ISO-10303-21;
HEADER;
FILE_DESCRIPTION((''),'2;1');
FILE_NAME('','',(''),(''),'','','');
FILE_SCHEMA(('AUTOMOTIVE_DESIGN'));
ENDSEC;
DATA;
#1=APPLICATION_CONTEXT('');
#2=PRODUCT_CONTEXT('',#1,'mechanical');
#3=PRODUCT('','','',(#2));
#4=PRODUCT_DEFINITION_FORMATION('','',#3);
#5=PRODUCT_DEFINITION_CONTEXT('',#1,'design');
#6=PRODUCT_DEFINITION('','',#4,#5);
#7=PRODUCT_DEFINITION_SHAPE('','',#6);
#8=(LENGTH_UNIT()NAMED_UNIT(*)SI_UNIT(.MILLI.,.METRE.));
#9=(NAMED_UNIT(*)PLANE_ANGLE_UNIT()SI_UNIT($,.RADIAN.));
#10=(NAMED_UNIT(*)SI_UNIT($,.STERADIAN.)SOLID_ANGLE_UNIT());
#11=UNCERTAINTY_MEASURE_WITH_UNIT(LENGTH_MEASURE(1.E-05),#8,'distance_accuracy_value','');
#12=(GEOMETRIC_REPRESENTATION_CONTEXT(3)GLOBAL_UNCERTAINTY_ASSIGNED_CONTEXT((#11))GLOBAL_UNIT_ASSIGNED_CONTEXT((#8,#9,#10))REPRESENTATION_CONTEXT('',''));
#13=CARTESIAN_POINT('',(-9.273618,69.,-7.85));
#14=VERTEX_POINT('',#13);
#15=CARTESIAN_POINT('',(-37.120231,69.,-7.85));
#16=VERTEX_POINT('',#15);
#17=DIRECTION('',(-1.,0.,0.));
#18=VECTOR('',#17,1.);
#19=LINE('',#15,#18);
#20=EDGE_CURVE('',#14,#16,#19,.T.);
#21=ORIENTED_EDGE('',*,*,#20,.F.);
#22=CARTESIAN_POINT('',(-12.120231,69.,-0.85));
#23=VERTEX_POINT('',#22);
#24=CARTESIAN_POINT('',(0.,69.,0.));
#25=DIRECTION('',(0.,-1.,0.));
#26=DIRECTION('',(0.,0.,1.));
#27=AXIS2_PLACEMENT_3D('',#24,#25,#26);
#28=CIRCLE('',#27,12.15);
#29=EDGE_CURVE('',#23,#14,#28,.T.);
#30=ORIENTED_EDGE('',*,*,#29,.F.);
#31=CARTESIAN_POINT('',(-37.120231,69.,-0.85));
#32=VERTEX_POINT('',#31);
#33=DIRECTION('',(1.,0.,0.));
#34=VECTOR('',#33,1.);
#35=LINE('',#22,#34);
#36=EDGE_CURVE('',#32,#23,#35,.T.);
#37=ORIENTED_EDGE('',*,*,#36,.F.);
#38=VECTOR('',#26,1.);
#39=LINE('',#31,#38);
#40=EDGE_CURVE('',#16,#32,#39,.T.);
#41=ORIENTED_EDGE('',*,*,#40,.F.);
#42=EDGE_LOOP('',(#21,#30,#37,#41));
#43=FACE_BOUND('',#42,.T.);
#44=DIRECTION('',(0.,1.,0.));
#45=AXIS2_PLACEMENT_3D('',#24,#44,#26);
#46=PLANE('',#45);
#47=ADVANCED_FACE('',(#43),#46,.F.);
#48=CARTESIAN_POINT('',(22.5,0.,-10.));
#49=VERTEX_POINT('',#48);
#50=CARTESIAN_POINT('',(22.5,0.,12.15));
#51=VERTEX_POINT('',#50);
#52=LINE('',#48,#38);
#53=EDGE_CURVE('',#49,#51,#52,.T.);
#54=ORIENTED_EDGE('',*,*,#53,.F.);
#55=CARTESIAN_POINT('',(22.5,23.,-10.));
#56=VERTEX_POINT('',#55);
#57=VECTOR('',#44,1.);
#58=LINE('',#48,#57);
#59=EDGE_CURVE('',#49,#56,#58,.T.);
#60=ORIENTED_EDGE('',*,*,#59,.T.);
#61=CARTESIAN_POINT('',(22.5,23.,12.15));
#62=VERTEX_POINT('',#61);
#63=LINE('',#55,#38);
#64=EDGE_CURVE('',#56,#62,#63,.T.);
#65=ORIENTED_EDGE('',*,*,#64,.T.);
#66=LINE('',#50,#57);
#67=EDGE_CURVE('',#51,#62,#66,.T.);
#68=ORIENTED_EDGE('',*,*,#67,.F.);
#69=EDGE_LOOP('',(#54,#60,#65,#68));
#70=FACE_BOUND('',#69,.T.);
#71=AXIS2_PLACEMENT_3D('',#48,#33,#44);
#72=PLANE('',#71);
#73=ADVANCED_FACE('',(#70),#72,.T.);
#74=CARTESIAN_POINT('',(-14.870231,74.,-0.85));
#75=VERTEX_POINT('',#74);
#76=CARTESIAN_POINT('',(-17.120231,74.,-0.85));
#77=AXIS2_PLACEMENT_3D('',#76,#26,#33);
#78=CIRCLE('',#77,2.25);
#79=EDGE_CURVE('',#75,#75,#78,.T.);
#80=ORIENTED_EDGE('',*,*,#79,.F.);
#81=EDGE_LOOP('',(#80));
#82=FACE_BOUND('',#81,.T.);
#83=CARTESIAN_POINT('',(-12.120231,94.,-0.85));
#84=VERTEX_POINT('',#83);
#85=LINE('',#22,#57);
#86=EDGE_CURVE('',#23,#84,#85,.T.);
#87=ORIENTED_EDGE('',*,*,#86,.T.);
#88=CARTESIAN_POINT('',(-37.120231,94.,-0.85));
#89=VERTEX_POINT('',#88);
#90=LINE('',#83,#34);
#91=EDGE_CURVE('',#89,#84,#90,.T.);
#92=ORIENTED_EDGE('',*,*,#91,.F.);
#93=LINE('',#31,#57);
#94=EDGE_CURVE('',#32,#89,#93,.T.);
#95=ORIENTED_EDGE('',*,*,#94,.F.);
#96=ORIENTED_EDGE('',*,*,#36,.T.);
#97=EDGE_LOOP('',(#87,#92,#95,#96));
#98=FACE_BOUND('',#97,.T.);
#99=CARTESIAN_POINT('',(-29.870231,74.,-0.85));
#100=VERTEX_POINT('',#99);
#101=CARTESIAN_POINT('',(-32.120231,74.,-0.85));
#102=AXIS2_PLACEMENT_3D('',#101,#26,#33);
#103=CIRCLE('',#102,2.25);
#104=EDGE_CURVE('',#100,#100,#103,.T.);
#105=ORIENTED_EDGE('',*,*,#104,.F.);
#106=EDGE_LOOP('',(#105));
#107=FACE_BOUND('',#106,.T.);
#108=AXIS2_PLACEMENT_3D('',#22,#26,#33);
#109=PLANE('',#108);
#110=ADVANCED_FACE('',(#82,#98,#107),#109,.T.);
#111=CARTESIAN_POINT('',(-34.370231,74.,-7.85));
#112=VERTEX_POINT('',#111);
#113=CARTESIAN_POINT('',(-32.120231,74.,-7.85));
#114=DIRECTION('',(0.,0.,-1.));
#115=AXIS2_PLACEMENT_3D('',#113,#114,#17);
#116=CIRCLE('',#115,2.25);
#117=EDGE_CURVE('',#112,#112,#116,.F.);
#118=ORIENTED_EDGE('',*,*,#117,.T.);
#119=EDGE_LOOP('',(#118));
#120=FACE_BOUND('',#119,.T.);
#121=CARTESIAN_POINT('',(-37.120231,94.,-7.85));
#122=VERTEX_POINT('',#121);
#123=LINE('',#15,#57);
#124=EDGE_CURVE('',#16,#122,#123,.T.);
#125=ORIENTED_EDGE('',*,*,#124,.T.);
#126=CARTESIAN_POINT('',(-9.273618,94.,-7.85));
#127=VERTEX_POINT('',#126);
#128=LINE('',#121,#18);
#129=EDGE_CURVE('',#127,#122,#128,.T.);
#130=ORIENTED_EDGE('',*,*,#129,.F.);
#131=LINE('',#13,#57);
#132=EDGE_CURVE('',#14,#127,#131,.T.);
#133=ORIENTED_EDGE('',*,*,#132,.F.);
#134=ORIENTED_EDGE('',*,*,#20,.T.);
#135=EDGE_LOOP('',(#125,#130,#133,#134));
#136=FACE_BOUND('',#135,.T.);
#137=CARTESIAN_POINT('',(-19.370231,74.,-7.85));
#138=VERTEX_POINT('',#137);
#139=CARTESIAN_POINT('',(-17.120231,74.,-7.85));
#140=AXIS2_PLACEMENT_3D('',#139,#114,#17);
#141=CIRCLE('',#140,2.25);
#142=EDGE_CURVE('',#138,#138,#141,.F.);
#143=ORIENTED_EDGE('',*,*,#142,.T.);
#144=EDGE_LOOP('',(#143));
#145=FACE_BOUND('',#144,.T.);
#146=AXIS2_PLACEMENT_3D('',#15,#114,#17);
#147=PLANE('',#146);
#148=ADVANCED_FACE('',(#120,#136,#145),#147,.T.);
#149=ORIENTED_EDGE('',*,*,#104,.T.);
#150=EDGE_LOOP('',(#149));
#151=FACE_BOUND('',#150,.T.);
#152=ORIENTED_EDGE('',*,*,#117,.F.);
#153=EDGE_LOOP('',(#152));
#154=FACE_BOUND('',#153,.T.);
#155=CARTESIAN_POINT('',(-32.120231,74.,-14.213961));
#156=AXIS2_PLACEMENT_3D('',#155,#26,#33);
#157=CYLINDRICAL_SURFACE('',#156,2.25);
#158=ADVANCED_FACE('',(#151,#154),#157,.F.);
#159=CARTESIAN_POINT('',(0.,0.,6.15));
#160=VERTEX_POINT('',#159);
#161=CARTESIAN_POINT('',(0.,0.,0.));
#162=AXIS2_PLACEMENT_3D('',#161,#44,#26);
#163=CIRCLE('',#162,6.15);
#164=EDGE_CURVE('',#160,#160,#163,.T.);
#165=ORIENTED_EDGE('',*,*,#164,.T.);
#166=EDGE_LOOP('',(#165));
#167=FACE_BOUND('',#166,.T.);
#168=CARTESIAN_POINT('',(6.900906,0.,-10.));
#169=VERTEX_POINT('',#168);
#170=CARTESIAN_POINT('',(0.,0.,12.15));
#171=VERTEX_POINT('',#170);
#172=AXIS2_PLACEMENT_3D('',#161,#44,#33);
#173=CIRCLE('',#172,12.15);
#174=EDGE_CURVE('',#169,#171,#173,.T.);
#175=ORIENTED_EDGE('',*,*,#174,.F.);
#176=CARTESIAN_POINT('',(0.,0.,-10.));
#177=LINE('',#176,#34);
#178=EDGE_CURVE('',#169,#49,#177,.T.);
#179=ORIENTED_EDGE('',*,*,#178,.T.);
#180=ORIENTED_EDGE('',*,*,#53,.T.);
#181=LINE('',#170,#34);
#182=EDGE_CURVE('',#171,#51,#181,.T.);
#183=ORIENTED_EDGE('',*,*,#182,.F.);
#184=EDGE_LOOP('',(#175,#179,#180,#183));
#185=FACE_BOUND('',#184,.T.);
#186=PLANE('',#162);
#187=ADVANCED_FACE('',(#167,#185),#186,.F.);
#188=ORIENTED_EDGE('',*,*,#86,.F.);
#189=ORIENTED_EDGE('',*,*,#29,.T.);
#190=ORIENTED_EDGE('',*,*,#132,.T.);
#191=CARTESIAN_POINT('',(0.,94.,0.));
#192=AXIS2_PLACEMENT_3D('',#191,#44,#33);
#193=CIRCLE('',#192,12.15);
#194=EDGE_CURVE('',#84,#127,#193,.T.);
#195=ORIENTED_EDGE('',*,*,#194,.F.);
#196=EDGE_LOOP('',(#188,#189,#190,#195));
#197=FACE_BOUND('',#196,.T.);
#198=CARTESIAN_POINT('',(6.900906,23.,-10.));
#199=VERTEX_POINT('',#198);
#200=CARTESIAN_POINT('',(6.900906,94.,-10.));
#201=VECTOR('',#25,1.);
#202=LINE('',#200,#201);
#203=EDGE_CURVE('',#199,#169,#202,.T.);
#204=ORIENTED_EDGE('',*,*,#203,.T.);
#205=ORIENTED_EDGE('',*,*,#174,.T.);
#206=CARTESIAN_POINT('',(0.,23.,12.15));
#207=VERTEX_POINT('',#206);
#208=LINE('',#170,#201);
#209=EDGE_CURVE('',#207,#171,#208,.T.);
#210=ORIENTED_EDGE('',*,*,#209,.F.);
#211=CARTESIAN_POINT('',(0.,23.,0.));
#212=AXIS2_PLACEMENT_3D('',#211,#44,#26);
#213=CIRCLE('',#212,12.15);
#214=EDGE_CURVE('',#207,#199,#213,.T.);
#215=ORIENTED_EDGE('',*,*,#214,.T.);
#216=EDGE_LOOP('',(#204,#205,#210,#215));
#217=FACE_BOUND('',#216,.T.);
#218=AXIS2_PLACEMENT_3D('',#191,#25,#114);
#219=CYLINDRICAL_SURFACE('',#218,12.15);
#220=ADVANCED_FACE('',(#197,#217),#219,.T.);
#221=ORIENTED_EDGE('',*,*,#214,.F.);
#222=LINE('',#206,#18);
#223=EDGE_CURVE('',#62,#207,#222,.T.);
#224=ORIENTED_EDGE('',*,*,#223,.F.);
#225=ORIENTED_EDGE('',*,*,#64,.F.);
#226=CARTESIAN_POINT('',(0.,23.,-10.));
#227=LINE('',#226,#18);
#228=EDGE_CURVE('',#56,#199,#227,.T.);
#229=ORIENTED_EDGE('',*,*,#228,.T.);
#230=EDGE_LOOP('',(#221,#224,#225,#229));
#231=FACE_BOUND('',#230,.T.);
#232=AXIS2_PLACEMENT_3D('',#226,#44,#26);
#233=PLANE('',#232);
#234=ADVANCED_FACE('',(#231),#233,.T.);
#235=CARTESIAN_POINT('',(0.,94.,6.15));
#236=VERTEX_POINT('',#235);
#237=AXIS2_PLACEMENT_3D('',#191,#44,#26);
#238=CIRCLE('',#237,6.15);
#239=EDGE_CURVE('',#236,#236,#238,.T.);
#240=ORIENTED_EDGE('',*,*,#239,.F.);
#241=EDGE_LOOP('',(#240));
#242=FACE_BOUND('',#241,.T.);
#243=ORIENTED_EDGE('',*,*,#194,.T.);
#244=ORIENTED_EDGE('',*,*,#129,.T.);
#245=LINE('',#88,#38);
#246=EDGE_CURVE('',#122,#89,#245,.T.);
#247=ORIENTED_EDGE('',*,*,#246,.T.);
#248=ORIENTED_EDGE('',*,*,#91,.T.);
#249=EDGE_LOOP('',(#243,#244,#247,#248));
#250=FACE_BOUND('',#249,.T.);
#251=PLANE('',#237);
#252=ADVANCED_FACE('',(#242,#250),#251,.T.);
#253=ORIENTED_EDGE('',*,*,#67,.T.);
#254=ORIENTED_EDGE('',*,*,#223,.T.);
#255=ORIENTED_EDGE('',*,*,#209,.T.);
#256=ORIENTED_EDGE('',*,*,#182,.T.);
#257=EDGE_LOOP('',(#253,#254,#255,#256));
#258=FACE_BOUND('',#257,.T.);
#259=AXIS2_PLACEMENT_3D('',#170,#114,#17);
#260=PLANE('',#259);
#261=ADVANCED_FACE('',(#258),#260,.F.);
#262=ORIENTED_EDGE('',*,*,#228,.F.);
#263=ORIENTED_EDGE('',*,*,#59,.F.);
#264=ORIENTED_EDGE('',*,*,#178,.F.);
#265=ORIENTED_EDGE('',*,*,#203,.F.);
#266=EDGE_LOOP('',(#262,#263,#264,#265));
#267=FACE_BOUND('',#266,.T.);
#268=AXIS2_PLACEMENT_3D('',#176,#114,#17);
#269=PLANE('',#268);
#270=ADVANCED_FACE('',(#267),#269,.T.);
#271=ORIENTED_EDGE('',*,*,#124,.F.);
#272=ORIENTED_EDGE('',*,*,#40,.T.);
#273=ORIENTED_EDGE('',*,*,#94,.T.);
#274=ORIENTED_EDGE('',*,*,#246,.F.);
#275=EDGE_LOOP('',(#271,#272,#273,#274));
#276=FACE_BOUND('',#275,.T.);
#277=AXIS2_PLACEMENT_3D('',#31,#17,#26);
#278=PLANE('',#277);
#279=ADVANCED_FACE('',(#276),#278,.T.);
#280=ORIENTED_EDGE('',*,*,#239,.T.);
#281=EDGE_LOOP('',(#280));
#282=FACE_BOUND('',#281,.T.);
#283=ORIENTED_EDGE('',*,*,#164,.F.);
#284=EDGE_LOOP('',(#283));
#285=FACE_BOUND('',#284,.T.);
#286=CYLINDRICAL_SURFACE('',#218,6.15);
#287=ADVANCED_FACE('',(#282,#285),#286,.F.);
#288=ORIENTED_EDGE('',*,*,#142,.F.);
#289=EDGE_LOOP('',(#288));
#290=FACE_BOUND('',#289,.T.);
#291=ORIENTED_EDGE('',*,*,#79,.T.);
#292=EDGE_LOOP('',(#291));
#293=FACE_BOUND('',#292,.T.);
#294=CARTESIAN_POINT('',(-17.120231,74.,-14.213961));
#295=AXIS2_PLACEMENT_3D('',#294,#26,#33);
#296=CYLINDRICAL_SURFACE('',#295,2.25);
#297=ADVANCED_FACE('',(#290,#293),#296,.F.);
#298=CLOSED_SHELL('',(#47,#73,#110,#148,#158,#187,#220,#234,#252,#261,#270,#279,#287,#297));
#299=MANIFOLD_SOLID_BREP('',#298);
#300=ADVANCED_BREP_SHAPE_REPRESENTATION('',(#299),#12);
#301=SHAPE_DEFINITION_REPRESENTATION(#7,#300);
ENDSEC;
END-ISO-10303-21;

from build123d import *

# Parameters (mm, degrees)
SKETCH1_R                = 12.15
SKETCH1_R_2              = 6.15
EXTRUDE_THIN1_DEPTH      = 94
LIMIT_SWITCH_MOUNT_DEPTH = 25
SKETCH3_R                = 2.25
HEAT_SET_INSERTS_DEPTH   = 7
SKETCH4_W                = 22.5
SKETCH4_H                = 23
BOSS_EXTRUDE1_DEPTH      = 12.15
BOSS_EXTRUDE1_DEPTH_BACK = 10
SKETCH1_3_R              = 6.15
CUT_EXTRUDE1_DEPTH       = 94


with BuildPart() as part:
    # Sketch1 → Extrude-Thin1 (new body)
    with BuildSketch(Plane(origin=(0, 0, 0), x_dir=(1, 0, 0), z_dir=(0, 1, 0))):
        Circle(SKETCH1_R)
        Circle(SKETCH1_R_2, mode=Mode.SUBTRACT)
    extrude(amount=EXTRUDE_THIN1_DEPTH)

    # Sketch2 → limit switch mount (add)
    with BuildSketch(Plane(origin=(0, 94, 0), x_dir=(1, 0, 0), z_dir=(0, 1, 0))):
        with BuildLine():
            Line((-12.120231021, 0.85), (-37.120231021, 0.85))
            Line((-37.120231021, 0.85), (-37.120231021, 7.85))
            Line((-37.120231021, 7.85), (-9.273618495, 7.85))
            ThreePointArc((-9.273618495, 7.85), (-11.254963318, 4.576931365), (-12.120231021, 0.85))
        make_face()
    extrude(amount=-LIMIT_SWITCH_MOUNT_DEPTH)

    # Sketch3 → heat set inserts (cut)
    with BuildSketch(Plane.XY.offset(-0.85)):
        with Locations((-17.120231021, 74)):
            Circle(SKETCH3_R)
        with Locations((-32.120231021, 74)):
            Circle(SKETCH3_R)
    extrude(amount=-HEAT_SET_INSERTS_DEPTH, mode=Mode.SUBTRACT)

    # Sketch4 → Boss-Extrude1 (add, two sides)
    with BuildSketch(Plane.XY) as boss_extrude1_sk:
        with Locations((11.25, 11.5)):
            Rectangle(SKETCH4_W, SKETCH4_H)
    extrude(amount=BOSS_EXTRUDE1_DEPTH)
    extrude(boss_extrude1_sk.sketch, amount=-BOSS_EXTRUDE1_DEPTH_BACK)

    # Sketch1<3> → Cut-Extrude1 (cut)
    with BuildSketch(Plane(origin=(0, 0, 0), x_dir=(1, 0, 0), z_dir=(0, 1, 0))):
        Circle(SKETCH1_3_R)
    extrude(amount=CUT_EXTRUDE1_DEPTH, mode=Mode.SUBTRACT)


solid = part.part
